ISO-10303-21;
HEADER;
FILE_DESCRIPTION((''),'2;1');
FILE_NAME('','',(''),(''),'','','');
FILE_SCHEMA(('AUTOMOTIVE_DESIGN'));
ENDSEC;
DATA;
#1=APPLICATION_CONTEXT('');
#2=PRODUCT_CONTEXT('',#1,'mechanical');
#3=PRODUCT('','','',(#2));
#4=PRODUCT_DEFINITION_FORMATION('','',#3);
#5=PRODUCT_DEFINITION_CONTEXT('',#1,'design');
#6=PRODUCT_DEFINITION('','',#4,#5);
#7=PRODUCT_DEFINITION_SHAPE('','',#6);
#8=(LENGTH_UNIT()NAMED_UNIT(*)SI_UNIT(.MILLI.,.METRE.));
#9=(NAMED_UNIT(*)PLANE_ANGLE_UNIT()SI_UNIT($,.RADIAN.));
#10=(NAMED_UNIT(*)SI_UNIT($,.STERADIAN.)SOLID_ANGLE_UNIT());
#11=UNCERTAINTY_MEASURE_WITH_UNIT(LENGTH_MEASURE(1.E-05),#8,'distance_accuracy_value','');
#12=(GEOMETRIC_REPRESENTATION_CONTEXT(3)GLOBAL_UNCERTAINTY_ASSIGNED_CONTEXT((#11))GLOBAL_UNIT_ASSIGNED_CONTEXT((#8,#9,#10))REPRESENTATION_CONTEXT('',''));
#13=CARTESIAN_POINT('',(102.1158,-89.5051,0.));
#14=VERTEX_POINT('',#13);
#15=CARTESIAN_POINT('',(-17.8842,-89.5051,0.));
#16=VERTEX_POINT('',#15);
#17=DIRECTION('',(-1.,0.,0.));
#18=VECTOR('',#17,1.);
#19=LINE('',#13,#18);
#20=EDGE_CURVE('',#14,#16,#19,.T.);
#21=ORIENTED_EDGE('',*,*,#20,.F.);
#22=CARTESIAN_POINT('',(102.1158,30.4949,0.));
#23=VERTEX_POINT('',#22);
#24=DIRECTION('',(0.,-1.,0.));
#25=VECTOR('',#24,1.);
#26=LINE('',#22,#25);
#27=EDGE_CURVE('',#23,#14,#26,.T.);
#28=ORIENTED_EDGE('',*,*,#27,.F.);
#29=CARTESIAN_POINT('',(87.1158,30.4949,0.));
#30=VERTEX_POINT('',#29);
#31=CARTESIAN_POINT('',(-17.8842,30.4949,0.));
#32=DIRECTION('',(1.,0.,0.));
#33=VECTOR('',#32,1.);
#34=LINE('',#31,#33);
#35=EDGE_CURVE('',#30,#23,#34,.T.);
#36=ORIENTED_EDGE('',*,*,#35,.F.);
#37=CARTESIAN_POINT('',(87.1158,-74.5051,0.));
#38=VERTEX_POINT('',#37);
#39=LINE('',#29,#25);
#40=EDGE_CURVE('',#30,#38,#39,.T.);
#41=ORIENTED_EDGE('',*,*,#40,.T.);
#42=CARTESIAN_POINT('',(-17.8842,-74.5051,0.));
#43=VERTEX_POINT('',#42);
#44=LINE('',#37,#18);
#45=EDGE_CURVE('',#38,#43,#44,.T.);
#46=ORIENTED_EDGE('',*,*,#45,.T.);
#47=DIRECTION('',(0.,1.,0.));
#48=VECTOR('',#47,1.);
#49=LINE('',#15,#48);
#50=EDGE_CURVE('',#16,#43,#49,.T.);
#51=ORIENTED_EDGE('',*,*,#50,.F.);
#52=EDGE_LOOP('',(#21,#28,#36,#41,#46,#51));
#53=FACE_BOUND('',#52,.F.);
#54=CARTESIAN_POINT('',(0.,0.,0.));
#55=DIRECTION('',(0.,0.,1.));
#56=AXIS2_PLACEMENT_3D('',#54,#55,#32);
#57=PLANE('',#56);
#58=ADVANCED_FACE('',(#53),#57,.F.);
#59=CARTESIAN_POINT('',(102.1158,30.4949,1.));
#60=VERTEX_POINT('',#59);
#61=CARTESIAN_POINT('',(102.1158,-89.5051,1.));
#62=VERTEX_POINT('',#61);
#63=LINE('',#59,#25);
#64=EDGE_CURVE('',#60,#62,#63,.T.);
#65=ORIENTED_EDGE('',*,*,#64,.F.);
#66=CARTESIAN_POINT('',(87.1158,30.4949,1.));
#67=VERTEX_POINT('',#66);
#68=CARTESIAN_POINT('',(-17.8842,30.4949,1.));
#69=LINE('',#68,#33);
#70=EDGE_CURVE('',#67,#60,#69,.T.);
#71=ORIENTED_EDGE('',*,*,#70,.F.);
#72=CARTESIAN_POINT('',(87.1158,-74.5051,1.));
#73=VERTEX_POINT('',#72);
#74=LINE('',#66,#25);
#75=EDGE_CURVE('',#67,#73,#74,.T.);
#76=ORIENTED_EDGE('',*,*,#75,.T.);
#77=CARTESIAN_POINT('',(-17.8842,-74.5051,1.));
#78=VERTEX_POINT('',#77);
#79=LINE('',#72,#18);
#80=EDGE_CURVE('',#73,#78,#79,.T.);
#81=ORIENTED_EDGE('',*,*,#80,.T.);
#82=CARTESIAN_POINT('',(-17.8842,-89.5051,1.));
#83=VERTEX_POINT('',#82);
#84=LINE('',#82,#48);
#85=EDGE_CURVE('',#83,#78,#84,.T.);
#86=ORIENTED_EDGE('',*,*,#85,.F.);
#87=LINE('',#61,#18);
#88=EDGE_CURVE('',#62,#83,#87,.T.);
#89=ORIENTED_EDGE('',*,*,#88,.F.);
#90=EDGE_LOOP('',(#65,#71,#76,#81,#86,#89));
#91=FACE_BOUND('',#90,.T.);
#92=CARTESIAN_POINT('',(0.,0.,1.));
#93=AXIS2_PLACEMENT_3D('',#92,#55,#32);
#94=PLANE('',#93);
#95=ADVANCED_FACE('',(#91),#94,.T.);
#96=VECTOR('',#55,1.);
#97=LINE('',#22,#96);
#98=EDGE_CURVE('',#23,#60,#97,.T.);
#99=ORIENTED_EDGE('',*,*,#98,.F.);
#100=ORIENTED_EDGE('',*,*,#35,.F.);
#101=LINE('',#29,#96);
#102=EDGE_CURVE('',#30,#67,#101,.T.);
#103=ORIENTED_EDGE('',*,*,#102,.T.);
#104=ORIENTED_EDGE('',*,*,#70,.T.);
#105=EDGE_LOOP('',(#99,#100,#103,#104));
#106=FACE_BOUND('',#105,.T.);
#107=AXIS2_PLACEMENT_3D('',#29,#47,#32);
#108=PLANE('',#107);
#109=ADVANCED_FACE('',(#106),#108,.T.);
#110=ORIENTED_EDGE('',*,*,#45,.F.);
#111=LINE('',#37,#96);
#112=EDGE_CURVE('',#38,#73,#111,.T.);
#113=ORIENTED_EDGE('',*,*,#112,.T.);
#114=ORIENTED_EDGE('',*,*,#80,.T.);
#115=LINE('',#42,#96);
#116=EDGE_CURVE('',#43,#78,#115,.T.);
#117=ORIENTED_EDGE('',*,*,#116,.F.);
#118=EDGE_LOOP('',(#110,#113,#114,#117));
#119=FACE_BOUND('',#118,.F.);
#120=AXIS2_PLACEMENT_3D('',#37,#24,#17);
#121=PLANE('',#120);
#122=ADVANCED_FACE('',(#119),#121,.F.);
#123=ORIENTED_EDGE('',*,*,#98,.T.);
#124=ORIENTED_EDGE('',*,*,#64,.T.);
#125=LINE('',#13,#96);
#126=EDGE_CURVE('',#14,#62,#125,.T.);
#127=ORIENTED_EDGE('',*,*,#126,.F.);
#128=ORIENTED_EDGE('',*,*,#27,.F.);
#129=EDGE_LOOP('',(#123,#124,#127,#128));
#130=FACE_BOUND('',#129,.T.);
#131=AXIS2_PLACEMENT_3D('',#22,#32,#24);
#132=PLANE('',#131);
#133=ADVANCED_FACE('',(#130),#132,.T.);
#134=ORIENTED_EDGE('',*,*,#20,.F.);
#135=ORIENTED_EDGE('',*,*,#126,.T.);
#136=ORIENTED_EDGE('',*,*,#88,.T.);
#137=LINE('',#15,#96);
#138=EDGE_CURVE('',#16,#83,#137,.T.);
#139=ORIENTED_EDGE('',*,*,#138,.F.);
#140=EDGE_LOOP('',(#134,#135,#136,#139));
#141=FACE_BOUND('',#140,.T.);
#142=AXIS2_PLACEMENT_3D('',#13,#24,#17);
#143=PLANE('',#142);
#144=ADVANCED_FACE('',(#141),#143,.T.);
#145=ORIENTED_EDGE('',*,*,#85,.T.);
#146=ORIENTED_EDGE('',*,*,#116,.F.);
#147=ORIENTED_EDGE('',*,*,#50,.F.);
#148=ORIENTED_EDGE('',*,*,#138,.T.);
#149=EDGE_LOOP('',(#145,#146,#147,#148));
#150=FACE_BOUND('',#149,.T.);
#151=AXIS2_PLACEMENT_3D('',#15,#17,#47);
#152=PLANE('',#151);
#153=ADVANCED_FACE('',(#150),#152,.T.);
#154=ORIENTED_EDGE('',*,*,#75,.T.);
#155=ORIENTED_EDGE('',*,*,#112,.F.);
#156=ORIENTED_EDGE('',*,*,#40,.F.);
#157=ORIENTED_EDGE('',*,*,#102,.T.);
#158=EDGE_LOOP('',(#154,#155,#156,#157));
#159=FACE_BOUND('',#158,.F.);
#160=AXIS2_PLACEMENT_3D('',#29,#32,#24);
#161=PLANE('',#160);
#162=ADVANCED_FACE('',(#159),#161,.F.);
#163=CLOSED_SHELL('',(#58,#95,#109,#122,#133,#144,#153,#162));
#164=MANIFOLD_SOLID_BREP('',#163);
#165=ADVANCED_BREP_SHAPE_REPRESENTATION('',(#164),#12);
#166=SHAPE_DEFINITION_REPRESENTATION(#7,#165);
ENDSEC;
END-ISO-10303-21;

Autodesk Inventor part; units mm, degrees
ref_plane "YZ Plane" through (0, 0, 0) normal (1, 0, 0) x (0, 1, 0)
ref_plane "XZ Plane" through (0, 0, 0) normal (0, 1, 0) x (-1, 0, 0)
ref_plane "XY Plane" through (0, 0, 0) normal (0, 0, 1) x (1, 0, 0)
sketch "Sketch1" plane through (0, 0, 0) normal (0, 0, 1) x (1, 0, 0)
  line L0 (-17.8842, 30.4949) -> (102.1158, 30.4949)
  line L1 (102.1158, 30.4949) -> (102.1158, -89.5051)
  line L2 (102.1158, -89.5051) -> (-17.8842, -89.5051)
  line L3 (-17.8842, -89.5051) -> (-17.8842, 30.4949)
  line L4 (-17.8842, 30.4949) -> (87.1158, 30.4949)
  line L5 (87.1158, 30.4949) -> (87.1158, -74.5051)
  line L6 (87.1158, -74.5051) -> (-17.8842, -74.5051)
  line L7 (-17.8842, -74.5051) -> (-17.8842, 30.4949)
  point P0 (0, 0)
  point P1 (87.1158, 30.4949)
  point P2 (-17.8842, -74.5051)
  dimension "d0" = 120
  dimension "d1" = 120
  dimension "d2" = 105
  dimension "d3" = 105
extrude "Extrusion1" add sketch "Sketch1" along normal blind 1 contours L0 L1 L2 L3 L6 L5
properties part number "8006_Cu_groundplane_Tx_Filter_Stage2_MPSv2_v1" material "Copper"
